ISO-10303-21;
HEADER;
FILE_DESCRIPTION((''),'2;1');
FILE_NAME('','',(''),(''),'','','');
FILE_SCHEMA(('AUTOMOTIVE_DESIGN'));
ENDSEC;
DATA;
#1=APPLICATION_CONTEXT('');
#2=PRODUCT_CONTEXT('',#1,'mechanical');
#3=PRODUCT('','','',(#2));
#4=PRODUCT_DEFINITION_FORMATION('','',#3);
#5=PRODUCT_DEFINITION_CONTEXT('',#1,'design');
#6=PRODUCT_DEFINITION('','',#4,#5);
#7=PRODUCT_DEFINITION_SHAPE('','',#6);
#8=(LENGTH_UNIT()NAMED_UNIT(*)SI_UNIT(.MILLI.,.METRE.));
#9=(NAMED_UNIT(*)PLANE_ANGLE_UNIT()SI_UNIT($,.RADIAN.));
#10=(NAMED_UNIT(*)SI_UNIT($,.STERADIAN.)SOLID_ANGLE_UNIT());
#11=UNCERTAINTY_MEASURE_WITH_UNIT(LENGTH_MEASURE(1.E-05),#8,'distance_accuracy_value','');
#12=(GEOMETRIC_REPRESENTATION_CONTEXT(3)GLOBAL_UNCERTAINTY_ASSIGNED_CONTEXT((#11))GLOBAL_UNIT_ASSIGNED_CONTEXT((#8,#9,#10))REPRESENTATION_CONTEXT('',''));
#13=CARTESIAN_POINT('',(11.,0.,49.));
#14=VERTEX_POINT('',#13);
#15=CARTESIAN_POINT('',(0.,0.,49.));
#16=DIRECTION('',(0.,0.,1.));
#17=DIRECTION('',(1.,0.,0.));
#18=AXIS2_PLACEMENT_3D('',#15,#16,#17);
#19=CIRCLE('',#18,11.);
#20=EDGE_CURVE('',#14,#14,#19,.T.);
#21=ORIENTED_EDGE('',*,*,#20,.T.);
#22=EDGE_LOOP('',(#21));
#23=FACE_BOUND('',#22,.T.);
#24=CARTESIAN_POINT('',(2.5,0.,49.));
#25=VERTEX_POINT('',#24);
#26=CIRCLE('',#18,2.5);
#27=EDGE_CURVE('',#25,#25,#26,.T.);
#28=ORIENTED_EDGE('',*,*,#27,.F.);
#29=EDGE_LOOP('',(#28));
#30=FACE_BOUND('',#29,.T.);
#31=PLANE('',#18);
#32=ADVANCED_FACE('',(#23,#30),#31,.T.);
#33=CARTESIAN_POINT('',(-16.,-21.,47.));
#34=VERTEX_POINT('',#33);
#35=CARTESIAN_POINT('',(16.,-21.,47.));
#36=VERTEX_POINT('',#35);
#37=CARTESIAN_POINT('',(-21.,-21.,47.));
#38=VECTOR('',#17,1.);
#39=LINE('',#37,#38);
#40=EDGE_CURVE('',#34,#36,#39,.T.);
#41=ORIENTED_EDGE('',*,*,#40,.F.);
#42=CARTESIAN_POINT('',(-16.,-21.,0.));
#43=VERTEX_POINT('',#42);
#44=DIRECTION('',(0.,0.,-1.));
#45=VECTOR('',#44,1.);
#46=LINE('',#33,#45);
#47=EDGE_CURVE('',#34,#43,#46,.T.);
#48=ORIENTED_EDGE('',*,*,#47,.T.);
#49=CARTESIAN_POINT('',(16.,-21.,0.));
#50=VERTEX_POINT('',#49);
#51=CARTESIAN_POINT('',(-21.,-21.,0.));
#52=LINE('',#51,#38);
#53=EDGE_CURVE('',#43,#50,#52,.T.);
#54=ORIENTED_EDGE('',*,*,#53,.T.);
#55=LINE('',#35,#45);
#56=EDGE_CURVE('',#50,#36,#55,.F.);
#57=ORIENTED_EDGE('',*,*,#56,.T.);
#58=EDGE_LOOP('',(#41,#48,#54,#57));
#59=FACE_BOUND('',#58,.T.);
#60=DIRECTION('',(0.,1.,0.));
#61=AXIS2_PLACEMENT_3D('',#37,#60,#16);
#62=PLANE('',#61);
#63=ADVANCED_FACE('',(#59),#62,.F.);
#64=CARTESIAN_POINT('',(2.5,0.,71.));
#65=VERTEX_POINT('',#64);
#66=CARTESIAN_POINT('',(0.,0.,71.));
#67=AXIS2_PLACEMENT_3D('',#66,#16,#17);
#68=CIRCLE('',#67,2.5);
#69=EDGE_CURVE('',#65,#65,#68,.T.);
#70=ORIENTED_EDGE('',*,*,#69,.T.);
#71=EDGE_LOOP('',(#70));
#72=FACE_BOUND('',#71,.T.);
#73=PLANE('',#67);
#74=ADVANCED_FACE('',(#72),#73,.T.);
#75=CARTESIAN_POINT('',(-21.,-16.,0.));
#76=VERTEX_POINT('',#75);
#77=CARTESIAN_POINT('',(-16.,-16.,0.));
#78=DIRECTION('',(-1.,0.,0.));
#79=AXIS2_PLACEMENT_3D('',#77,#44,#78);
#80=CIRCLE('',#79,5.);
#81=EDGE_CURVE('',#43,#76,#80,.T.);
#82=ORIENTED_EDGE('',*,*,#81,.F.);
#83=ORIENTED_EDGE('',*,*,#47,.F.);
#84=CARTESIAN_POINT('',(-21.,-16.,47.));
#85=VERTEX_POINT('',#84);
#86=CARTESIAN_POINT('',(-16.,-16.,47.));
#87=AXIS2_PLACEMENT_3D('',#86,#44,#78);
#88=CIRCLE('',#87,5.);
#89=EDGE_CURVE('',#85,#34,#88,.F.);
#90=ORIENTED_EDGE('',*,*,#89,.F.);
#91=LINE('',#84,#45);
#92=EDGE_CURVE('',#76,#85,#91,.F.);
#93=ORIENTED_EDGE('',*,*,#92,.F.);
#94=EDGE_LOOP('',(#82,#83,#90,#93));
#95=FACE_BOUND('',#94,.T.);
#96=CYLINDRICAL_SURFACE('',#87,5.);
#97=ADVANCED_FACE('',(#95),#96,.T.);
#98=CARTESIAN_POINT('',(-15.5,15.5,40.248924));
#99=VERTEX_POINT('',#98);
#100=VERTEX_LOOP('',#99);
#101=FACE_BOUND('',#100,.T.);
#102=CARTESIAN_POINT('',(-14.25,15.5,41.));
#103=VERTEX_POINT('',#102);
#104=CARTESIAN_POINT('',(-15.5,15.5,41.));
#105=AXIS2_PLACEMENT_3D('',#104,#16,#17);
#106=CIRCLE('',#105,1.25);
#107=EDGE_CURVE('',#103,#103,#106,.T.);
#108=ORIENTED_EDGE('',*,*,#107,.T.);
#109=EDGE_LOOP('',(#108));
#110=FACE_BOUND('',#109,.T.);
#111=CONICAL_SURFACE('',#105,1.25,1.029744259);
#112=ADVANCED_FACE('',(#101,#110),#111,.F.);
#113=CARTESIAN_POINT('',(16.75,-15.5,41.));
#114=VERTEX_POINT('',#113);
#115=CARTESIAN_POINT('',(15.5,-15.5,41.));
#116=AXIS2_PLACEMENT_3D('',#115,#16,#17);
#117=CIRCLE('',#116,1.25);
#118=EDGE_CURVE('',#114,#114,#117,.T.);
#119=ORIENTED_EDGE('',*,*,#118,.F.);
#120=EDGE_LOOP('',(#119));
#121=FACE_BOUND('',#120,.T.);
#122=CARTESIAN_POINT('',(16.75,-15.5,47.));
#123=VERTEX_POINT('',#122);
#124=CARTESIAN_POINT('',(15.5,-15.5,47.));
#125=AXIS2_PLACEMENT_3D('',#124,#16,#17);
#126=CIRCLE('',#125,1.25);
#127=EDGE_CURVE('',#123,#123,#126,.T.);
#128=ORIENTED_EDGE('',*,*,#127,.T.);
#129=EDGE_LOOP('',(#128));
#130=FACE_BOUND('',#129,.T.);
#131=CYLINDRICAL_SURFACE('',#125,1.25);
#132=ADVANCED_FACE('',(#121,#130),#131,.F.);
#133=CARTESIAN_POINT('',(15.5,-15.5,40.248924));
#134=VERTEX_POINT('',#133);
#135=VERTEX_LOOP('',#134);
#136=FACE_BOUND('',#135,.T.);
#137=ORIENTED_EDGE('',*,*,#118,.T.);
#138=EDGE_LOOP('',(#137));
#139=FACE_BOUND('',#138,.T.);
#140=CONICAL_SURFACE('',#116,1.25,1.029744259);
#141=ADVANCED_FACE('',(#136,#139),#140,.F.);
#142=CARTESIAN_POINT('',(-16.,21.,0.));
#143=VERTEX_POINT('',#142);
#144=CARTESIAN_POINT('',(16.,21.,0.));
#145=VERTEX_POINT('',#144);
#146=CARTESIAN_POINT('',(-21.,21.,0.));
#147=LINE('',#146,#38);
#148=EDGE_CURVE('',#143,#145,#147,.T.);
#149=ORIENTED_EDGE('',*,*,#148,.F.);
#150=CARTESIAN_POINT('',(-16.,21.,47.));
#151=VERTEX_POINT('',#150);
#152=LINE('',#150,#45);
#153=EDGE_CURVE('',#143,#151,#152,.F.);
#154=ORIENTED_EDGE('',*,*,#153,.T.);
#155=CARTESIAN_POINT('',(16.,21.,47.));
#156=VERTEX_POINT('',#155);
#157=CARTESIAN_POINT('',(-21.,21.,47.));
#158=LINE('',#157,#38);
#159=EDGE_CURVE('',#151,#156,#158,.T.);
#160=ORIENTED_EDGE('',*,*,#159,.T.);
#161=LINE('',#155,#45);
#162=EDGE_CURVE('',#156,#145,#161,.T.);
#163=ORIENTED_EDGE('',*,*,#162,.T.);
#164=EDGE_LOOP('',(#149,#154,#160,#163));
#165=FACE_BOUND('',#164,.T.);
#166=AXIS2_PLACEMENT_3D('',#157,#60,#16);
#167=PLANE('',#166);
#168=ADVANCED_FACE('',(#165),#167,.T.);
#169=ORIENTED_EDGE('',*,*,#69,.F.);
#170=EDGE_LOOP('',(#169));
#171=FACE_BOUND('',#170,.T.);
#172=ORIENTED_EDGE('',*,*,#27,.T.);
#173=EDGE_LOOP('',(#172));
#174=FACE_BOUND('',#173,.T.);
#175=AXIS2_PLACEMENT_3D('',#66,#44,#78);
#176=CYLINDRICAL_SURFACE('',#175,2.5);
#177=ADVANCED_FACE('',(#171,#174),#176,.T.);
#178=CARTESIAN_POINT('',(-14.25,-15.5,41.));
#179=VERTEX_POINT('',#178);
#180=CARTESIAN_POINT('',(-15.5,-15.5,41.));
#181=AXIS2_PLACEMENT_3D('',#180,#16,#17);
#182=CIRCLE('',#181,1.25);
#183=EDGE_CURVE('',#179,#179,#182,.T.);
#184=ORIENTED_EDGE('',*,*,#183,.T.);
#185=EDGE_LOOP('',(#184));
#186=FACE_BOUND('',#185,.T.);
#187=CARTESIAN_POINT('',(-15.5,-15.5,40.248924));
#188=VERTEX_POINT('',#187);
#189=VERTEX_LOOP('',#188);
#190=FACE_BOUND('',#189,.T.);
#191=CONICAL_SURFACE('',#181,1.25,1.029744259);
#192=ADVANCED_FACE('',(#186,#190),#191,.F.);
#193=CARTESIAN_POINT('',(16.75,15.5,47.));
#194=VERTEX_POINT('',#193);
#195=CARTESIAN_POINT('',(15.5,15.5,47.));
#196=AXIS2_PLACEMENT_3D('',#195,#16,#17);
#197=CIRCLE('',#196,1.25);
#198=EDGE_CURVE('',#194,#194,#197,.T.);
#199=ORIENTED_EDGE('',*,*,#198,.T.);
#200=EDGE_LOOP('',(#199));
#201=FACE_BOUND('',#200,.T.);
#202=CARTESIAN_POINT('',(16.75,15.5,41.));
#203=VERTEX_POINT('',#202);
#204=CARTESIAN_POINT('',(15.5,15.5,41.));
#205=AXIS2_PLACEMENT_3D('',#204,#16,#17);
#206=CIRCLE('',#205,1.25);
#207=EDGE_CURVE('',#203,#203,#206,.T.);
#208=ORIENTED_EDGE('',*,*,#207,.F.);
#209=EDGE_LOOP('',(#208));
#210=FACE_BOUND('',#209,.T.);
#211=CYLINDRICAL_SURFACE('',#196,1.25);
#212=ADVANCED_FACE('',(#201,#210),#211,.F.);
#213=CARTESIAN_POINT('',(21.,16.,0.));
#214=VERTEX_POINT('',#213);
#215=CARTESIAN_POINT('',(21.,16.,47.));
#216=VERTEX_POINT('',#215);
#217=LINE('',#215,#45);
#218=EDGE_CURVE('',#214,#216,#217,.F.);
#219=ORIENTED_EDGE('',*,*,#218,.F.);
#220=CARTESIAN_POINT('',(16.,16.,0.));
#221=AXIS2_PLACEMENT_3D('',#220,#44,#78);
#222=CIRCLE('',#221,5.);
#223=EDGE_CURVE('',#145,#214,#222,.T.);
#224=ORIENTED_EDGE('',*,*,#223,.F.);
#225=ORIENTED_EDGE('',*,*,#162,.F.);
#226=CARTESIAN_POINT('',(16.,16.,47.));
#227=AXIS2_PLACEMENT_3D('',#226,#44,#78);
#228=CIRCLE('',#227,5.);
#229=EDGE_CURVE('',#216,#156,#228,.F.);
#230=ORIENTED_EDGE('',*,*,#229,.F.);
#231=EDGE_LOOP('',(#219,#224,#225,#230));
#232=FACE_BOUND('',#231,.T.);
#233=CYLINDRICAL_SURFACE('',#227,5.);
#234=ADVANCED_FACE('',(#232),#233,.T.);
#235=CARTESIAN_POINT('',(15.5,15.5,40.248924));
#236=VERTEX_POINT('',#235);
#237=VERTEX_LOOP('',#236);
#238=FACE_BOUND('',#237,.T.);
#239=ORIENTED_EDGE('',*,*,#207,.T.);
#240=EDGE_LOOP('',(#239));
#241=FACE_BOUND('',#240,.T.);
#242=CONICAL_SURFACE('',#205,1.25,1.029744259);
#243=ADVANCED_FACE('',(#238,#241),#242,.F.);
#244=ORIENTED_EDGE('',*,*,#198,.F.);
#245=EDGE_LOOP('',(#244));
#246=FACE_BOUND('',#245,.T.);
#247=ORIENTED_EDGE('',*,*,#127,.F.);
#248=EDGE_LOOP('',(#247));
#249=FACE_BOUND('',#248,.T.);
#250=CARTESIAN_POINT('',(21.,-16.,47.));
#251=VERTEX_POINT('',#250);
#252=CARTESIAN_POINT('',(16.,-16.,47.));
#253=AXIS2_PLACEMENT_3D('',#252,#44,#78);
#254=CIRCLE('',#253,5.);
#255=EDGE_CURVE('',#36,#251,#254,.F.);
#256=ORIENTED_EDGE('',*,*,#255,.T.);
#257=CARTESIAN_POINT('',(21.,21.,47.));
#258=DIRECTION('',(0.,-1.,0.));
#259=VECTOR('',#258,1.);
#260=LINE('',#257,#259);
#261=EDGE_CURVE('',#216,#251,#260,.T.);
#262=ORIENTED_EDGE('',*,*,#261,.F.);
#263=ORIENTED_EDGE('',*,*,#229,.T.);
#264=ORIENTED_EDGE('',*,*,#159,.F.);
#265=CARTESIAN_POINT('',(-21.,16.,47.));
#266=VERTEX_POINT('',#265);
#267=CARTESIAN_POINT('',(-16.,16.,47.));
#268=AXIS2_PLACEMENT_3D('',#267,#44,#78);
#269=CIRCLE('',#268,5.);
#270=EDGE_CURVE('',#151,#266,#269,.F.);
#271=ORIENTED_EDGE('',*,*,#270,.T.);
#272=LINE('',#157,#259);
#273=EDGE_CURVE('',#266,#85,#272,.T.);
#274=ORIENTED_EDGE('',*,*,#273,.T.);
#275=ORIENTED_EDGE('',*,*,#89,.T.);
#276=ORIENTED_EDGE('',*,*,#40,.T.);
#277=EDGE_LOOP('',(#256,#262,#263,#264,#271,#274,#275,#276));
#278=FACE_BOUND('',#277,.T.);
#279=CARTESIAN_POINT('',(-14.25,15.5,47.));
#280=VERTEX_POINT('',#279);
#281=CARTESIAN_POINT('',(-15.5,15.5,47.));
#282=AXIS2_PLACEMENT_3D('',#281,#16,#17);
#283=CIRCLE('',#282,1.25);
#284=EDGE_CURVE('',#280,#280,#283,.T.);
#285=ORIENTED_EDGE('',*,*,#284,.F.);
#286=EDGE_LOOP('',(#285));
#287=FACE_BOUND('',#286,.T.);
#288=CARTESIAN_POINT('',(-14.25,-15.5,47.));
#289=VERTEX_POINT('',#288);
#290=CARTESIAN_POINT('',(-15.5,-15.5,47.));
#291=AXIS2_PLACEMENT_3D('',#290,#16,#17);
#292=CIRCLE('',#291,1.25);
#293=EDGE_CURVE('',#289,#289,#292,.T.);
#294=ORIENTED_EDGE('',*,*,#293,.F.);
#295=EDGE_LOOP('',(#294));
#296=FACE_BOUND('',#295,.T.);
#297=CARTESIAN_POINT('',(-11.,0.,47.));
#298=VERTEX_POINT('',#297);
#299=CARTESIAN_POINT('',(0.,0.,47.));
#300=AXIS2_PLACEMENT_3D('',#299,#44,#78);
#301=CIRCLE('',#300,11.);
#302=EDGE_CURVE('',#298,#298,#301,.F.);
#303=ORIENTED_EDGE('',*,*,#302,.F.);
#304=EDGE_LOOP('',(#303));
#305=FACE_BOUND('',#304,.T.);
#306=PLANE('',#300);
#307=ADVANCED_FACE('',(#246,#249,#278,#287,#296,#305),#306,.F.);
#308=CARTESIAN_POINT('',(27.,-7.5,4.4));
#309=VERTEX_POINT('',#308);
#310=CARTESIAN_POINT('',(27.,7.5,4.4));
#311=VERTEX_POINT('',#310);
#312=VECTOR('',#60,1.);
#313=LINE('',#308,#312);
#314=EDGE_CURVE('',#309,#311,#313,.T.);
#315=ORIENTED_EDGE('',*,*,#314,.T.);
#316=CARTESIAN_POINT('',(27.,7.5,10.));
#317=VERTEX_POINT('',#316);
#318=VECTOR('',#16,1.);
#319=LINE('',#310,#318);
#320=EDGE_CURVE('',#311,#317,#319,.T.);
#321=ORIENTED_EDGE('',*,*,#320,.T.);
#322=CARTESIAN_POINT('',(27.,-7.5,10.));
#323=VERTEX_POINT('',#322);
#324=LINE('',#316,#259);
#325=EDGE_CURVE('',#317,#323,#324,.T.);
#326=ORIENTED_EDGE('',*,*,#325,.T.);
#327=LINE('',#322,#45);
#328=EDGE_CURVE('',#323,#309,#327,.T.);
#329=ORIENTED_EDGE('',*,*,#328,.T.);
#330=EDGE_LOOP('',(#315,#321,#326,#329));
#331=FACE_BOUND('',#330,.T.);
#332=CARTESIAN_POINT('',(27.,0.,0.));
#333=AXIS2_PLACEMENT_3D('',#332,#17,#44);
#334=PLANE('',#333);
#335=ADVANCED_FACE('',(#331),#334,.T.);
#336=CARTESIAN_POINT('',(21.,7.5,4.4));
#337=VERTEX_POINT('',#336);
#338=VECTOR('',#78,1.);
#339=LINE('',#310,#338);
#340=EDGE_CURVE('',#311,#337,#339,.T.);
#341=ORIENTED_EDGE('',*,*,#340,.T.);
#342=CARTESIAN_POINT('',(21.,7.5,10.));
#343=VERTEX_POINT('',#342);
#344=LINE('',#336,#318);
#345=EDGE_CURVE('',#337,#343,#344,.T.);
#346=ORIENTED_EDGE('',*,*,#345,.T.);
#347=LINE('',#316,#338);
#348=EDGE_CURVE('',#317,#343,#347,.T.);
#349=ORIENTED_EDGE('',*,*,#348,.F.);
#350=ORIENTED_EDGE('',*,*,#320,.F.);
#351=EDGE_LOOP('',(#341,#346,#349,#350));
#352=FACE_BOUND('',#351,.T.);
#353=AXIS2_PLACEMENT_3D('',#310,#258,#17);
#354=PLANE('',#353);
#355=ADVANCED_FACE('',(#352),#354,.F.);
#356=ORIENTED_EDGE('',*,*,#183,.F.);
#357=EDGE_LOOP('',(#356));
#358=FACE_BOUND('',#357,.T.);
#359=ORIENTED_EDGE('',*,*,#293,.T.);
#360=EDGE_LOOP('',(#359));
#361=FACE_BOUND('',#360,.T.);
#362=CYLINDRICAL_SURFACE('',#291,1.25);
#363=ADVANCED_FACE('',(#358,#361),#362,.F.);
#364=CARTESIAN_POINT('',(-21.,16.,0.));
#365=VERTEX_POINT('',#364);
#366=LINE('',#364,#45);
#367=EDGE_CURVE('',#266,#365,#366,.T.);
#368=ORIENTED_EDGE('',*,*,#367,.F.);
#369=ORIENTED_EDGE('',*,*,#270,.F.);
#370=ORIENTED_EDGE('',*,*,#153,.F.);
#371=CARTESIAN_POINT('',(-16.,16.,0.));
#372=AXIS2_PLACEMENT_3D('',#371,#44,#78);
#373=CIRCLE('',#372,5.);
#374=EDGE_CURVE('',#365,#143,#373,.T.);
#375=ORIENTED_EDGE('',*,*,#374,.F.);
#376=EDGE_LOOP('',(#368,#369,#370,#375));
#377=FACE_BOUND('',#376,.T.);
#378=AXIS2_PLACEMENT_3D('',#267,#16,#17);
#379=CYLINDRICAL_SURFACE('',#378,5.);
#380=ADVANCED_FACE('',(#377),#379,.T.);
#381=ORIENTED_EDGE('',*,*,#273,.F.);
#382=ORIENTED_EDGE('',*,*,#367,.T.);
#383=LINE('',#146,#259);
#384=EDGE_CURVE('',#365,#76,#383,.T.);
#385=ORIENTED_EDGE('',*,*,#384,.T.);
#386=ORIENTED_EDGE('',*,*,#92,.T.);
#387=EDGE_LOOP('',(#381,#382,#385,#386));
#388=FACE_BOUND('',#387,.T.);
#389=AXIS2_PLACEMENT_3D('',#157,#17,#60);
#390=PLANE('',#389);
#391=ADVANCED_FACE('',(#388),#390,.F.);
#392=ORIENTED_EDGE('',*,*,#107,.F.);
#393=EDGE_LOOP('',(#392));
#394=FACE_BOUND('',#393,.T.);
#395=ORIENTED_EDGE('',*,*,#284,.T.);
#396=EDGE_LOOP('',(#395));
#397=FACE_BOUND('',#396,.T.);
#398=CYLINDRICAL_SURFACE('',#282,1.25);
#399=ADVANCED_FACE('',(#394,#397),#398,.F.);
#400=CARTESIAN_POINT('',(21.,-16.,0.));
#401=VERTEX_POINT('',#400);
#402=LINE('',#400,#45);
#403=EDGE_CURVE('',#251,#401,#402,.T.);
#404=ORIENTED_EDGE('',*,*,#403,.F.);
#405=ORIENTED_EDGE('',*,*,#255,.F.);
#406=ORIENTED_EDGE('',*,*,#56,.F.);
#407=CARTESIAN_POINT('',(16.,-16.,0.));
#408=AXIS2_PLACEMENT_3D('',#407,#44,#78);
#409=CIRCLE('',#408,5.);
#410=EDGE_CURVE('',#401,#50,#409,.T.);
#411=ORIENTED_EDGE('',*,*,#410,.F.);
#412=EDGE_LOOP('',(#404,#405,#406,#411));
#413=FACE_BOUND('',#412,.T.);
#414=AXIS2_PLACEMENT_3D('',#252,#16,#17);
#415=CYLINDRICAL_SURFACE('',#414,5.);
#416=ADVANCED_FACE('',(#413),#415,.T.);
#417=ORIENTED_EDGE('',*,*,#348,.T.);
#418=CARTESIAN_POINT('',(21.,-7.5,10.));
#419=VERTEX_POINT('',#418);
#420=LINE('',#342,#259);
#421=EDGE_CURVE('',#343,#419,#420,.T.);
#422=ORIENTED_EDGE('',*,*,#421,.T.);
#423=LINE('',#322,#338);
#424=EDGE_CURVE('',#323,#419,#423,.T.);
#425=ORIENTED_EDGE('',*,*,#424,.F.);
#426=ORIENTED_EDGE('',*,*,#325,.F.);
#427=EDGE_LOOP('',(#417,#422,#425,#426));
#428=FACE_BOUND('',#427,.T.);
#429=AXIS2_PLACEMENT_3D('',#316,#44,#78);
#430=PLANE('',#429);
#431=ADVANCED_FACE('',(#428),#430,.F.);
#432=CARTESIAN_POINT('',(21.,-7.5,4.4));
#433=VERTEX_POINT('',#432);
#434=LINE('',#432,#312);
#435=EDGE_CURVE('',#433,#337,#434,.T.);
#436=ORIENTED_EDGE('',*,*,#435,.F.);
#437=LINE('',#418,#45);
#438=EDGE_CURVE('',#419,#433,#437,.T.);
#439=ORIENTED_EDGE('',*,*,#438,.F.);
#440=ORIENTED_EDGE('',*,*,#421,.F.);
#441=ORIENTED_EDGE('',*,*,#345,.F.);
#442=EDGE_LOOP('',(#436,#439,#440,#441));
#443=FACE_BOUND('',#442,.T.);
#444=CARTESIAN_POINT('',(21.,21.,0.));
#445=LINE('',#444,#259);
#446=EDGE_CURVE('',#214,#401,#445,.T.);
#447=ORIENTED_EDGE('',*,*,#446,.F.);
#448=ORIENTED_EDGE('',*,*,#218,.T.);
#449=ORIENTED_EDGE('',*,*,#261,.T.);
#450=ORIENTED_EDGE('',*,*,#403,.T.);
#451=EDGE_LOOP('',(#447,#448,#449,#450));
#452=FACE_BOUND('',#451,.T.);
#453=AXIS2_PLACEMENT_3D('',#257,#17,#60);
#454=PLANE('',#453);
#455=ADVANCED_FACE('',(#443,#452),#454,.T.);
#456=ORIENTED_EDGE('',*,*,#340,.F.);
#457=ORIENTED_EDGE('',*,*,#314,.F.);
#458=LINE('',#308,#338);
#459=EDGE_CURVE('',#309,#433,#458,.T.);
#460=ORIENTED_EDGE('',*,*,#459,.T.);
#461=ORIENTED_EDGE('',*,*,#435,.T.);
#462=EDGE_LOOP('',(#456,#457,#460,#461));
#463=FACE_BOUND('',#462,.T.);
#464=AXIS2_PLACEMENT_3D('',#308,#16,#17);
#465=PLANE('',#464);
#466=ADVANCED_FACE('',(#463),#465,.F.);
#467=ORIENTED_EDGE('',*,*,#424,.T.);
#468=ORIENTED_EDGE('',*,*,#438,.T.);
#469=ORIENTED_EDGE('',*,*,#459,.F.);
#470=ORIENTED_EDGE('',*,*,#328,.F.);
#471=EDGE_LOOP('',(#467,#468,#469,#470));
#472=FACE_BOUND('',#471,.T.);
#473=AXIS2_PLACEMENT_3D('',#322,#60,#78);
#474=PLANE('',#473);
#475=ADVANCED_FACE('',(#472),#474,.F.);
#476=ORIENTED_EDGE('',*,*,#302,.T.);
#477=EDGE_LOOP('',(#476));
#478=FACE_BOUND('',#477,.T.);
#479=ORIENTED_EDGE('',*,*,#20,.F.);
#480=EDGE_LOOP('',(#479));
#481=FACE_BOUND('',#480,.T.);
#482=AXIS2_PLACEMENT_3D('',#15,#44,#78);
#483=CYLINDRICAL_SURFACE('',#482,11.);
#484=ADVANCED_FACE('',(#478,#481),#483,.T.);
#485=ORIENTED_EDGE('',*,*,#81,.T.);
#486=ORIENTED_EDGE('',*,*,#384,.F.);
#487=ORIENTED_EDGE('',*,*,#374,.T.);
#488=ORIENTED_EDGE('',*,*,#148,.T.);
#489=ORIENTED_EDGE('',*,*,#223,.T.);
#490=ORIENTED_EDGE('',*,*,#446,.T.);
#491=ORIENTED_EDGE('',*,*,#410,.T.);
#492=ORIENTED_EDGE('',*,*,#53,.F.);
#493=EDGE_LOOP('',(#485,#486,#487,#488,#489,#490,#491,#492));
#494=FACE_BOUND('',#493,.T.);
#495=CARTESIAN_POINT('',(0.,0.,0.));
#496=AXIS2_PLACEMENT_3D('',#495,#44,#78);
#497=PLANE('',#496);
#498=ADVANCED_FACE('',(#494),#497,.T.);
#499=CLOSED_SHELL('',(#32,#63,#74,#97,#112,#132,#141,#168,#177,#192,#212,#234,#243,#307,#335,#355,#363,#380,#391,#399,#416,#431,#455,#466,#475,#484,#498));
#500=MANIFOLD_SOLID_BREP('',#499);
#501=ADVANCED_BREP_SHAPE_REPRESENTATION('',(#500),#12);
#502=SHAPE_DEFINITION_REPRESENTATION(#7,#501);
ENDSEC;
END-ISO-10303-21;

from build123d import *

# Parameters (mm, degrees)
SKETCH1_W           = 42
SKETCH1_H           = 42
BOSS_EXTRUDE1_DEPTH = 47
SKETCH2_R           = 2.5
BOSS_EXTRUDE4_DEPTH = 24
SKETCH2_5_R         = 11
SKETCH2_5_R_2       = 2.5
BOSS_EXTRUDE5_DEPTH = 2
CIRPATTERN1_COUNT   = 4
FILLET1_R           = 5
SKETCH14_W          = 5.6
SKETCH14_H          = 15
BOSS_EXTRUDE6_DEPTH = 6


with BuildPart() as part:
    # Sketch1 → Boss-Extrude1 (new body)
    with BuildSketch(Plane.XY):
        Rectangle(SKETCH1_W, SKETCH1_H)
    extrude(amount=BOSS_EXTRUDE1_DEPTH)

    # Sketch2 → Boss-Extrude4 (add)
    with BuildSketch(Plane.XY.offset(47)):
        Circle(SKETCH2_R)
    extrude(amount=BOSS_EXTRUDE4_DEPTH)

    # Sketch2<5> → Boss-Extrude5 (add)
    with BuildSketch(Plane.XY.offset(47)):
        Circle(SKETCH2_5_R)
        Circle(SKETCH2_5_R_2, mode=Mode.SUBTRACT)
    extrude(amount=BOSS_EXTRUDE5_DEPTH)

    # Sketch12 → M3 Tapped Hole3 (revolve, cut)
    with BuildSketch(Plane(origin=(-15.5, 15.5, 47), x_dir=(0, -1, 0), z_dir=(1, 0, 0))):
        Polygon((0, 0), (0, 6.751075774), (1.25, 6), (1.25, 0), align=None)
    m3_tapped_hole3 = revolve(axis=Axis((-15.5, 15.5, 53.35), (0, 0, -1)), mode=Mode.SUBTRACT)

    # CirPattern1: M3 Tapped Hole3 ×4 about axis
    cirpattern1_axis = Axis((0, 0, 49), (0, 0, 1))
    for i in range(1, CIRPATTERN1_COUNT):
        add(m3_tapped_hole3.rotate(cirpattern1_axis, i * 360 / CIRPATTERN1_COUNT), mode=Mode.SUBTRACT)

    # Fillet1
    fillet1_edges = [part.edges().sort_by_distance(p)[0] for p in [
        (-21, -21, 23.5),
        (-21, 21, 23.5),
        (21, -21, 23.5),
        (21, 21, 23.5),
    ]]
    fillet(fillet1_edges, radius=FILLET1_R)

    # Sketch14 → Boss-Extrude6 (add)
    with BuildSketch(Plane(origin=(21, 0, 0), x_dir=(0, 0, -1), z_dir=(1, 0, 0))):
        with Locations((-7.2, 0)):
            Rectangle(SKETCH14_W, SKETCH14_H)
    extrude(amount=BOSS_EXTRUDE6_DEPTH)


solid = part.part
